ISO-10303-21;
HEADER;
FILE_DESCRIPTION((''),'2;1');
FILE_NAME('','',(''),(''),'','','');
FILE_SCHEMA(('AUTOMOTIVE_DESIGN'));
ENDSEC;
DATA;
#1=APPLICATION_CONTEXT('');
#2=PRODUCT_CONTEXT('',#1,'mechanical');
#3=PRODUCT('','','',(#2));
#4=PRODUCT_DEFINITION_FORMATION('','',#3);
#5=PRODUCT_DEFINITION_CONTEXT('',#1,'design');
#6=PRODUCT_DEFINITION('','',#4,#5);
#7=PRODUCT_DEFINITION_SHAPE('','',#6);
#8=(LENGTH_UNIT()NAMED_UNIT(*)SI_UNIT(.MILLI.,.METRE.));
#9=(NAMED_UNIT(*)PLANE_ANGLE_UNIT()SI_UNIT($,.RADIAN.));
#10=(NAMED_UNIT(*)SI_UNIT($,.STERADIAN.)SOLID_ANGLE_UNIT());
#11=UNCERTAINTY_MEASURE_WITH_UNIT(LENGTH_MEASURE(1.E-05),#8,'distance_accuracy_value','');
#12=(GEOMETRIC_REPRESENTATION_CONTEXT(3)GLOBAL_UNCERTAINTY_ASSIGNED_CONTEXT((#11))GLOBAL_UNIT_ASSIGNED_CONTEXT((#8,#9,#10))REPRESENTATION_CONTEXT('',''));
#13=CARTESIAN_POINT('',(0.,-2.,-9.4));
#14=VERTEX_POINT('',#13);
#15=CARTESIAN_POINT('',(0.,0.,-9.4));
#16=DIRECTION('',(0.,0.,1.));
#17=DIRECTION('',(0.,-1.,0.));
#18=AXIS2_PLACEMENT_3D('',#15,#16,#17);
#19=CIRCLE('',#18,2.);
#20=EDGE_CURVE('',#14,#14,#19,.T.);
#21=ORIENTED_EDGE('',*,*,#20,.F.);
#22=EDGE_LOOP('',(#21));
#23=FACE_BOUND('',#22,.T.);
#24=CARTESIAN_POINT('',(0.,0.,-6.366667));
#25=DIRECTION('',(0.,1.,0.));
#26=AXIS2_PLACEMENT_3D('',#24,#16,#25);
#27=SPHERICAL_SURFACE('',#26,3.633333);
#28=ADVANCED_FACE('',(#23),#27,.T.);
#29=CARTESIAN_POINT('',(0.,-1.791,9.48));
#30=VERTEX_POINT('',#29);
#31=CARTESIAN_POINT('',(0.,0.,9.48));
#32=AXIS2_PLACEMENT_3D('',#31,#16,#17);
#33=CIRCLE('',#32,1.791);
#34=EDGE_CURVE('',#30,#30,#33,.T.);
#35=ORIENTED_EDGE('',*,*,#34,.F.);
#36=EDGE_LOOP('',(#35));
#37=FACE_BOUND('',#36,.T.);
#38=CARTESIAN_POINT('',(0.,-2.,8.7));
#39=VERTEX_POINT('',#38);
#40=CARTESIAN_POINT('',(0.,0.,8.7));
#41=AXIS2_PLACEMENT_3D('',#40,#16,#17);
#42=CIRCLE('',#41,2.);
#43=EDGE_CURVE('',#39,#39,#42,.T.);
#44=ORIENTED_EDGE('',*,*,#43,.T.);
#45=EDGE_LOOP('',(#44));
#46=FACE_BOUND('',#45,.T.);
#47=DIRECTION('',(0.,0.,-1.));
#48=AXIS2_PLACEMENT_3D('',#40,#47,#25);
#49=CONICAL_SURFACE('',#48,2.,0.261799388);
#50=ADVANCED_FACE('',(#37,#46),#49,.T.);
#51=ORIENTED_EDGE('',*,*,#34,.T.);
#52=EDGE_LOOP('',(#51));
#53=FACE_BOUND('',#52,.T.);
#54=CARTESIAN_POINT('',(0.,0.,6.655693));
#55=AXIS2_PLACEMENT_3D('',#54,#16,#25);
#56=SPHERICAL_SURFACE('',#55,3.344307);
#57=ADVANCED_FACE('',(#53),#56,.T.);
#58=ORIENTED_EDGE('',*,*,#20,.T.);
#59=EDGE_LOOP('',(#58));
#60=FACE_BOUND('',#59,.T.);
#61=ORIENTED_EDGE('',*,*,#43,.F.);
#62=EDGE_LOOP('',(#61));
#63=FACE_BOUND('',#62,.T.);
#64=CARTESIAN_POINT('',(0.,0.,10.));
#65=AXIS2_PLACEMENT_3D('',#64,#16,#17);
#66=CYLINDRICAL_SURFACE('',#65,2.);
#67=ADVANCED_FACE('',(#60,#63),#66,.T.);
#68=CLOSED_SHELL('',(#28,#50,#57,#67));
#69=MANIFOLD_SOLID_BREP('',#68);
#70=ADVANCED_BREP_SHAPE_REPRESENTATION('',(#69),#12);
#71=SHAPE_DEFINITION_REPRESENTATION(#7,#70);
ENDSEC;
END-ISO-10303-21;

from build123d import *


with BuildPart() as part:
    # Sketch3 → Revolve1 (revolve)
    with BuildSketch(Plane(origin=(0, 0, 0), x_dir=(0, 0, -1), z_dir=(1, 0, 0))):
        with BuildLine():
            Line((-10, 0), (10, 0))
            ThreePointArc((10, 0), (9.846768836, 1.044030651), (9.4, 2))
            Line((9.4, 2), (-8.7, 2))
            Line((-8.7, 2), (-9.48, 1.79099963))
            ThreePointArc((-9.48, 1.79099963), (-9.867370053, 0.932480519), (-10, 0))
        make_face()
    revolve(axis=Axis((0, 0, 10), (0, 0, -1)))


solid = part.part
